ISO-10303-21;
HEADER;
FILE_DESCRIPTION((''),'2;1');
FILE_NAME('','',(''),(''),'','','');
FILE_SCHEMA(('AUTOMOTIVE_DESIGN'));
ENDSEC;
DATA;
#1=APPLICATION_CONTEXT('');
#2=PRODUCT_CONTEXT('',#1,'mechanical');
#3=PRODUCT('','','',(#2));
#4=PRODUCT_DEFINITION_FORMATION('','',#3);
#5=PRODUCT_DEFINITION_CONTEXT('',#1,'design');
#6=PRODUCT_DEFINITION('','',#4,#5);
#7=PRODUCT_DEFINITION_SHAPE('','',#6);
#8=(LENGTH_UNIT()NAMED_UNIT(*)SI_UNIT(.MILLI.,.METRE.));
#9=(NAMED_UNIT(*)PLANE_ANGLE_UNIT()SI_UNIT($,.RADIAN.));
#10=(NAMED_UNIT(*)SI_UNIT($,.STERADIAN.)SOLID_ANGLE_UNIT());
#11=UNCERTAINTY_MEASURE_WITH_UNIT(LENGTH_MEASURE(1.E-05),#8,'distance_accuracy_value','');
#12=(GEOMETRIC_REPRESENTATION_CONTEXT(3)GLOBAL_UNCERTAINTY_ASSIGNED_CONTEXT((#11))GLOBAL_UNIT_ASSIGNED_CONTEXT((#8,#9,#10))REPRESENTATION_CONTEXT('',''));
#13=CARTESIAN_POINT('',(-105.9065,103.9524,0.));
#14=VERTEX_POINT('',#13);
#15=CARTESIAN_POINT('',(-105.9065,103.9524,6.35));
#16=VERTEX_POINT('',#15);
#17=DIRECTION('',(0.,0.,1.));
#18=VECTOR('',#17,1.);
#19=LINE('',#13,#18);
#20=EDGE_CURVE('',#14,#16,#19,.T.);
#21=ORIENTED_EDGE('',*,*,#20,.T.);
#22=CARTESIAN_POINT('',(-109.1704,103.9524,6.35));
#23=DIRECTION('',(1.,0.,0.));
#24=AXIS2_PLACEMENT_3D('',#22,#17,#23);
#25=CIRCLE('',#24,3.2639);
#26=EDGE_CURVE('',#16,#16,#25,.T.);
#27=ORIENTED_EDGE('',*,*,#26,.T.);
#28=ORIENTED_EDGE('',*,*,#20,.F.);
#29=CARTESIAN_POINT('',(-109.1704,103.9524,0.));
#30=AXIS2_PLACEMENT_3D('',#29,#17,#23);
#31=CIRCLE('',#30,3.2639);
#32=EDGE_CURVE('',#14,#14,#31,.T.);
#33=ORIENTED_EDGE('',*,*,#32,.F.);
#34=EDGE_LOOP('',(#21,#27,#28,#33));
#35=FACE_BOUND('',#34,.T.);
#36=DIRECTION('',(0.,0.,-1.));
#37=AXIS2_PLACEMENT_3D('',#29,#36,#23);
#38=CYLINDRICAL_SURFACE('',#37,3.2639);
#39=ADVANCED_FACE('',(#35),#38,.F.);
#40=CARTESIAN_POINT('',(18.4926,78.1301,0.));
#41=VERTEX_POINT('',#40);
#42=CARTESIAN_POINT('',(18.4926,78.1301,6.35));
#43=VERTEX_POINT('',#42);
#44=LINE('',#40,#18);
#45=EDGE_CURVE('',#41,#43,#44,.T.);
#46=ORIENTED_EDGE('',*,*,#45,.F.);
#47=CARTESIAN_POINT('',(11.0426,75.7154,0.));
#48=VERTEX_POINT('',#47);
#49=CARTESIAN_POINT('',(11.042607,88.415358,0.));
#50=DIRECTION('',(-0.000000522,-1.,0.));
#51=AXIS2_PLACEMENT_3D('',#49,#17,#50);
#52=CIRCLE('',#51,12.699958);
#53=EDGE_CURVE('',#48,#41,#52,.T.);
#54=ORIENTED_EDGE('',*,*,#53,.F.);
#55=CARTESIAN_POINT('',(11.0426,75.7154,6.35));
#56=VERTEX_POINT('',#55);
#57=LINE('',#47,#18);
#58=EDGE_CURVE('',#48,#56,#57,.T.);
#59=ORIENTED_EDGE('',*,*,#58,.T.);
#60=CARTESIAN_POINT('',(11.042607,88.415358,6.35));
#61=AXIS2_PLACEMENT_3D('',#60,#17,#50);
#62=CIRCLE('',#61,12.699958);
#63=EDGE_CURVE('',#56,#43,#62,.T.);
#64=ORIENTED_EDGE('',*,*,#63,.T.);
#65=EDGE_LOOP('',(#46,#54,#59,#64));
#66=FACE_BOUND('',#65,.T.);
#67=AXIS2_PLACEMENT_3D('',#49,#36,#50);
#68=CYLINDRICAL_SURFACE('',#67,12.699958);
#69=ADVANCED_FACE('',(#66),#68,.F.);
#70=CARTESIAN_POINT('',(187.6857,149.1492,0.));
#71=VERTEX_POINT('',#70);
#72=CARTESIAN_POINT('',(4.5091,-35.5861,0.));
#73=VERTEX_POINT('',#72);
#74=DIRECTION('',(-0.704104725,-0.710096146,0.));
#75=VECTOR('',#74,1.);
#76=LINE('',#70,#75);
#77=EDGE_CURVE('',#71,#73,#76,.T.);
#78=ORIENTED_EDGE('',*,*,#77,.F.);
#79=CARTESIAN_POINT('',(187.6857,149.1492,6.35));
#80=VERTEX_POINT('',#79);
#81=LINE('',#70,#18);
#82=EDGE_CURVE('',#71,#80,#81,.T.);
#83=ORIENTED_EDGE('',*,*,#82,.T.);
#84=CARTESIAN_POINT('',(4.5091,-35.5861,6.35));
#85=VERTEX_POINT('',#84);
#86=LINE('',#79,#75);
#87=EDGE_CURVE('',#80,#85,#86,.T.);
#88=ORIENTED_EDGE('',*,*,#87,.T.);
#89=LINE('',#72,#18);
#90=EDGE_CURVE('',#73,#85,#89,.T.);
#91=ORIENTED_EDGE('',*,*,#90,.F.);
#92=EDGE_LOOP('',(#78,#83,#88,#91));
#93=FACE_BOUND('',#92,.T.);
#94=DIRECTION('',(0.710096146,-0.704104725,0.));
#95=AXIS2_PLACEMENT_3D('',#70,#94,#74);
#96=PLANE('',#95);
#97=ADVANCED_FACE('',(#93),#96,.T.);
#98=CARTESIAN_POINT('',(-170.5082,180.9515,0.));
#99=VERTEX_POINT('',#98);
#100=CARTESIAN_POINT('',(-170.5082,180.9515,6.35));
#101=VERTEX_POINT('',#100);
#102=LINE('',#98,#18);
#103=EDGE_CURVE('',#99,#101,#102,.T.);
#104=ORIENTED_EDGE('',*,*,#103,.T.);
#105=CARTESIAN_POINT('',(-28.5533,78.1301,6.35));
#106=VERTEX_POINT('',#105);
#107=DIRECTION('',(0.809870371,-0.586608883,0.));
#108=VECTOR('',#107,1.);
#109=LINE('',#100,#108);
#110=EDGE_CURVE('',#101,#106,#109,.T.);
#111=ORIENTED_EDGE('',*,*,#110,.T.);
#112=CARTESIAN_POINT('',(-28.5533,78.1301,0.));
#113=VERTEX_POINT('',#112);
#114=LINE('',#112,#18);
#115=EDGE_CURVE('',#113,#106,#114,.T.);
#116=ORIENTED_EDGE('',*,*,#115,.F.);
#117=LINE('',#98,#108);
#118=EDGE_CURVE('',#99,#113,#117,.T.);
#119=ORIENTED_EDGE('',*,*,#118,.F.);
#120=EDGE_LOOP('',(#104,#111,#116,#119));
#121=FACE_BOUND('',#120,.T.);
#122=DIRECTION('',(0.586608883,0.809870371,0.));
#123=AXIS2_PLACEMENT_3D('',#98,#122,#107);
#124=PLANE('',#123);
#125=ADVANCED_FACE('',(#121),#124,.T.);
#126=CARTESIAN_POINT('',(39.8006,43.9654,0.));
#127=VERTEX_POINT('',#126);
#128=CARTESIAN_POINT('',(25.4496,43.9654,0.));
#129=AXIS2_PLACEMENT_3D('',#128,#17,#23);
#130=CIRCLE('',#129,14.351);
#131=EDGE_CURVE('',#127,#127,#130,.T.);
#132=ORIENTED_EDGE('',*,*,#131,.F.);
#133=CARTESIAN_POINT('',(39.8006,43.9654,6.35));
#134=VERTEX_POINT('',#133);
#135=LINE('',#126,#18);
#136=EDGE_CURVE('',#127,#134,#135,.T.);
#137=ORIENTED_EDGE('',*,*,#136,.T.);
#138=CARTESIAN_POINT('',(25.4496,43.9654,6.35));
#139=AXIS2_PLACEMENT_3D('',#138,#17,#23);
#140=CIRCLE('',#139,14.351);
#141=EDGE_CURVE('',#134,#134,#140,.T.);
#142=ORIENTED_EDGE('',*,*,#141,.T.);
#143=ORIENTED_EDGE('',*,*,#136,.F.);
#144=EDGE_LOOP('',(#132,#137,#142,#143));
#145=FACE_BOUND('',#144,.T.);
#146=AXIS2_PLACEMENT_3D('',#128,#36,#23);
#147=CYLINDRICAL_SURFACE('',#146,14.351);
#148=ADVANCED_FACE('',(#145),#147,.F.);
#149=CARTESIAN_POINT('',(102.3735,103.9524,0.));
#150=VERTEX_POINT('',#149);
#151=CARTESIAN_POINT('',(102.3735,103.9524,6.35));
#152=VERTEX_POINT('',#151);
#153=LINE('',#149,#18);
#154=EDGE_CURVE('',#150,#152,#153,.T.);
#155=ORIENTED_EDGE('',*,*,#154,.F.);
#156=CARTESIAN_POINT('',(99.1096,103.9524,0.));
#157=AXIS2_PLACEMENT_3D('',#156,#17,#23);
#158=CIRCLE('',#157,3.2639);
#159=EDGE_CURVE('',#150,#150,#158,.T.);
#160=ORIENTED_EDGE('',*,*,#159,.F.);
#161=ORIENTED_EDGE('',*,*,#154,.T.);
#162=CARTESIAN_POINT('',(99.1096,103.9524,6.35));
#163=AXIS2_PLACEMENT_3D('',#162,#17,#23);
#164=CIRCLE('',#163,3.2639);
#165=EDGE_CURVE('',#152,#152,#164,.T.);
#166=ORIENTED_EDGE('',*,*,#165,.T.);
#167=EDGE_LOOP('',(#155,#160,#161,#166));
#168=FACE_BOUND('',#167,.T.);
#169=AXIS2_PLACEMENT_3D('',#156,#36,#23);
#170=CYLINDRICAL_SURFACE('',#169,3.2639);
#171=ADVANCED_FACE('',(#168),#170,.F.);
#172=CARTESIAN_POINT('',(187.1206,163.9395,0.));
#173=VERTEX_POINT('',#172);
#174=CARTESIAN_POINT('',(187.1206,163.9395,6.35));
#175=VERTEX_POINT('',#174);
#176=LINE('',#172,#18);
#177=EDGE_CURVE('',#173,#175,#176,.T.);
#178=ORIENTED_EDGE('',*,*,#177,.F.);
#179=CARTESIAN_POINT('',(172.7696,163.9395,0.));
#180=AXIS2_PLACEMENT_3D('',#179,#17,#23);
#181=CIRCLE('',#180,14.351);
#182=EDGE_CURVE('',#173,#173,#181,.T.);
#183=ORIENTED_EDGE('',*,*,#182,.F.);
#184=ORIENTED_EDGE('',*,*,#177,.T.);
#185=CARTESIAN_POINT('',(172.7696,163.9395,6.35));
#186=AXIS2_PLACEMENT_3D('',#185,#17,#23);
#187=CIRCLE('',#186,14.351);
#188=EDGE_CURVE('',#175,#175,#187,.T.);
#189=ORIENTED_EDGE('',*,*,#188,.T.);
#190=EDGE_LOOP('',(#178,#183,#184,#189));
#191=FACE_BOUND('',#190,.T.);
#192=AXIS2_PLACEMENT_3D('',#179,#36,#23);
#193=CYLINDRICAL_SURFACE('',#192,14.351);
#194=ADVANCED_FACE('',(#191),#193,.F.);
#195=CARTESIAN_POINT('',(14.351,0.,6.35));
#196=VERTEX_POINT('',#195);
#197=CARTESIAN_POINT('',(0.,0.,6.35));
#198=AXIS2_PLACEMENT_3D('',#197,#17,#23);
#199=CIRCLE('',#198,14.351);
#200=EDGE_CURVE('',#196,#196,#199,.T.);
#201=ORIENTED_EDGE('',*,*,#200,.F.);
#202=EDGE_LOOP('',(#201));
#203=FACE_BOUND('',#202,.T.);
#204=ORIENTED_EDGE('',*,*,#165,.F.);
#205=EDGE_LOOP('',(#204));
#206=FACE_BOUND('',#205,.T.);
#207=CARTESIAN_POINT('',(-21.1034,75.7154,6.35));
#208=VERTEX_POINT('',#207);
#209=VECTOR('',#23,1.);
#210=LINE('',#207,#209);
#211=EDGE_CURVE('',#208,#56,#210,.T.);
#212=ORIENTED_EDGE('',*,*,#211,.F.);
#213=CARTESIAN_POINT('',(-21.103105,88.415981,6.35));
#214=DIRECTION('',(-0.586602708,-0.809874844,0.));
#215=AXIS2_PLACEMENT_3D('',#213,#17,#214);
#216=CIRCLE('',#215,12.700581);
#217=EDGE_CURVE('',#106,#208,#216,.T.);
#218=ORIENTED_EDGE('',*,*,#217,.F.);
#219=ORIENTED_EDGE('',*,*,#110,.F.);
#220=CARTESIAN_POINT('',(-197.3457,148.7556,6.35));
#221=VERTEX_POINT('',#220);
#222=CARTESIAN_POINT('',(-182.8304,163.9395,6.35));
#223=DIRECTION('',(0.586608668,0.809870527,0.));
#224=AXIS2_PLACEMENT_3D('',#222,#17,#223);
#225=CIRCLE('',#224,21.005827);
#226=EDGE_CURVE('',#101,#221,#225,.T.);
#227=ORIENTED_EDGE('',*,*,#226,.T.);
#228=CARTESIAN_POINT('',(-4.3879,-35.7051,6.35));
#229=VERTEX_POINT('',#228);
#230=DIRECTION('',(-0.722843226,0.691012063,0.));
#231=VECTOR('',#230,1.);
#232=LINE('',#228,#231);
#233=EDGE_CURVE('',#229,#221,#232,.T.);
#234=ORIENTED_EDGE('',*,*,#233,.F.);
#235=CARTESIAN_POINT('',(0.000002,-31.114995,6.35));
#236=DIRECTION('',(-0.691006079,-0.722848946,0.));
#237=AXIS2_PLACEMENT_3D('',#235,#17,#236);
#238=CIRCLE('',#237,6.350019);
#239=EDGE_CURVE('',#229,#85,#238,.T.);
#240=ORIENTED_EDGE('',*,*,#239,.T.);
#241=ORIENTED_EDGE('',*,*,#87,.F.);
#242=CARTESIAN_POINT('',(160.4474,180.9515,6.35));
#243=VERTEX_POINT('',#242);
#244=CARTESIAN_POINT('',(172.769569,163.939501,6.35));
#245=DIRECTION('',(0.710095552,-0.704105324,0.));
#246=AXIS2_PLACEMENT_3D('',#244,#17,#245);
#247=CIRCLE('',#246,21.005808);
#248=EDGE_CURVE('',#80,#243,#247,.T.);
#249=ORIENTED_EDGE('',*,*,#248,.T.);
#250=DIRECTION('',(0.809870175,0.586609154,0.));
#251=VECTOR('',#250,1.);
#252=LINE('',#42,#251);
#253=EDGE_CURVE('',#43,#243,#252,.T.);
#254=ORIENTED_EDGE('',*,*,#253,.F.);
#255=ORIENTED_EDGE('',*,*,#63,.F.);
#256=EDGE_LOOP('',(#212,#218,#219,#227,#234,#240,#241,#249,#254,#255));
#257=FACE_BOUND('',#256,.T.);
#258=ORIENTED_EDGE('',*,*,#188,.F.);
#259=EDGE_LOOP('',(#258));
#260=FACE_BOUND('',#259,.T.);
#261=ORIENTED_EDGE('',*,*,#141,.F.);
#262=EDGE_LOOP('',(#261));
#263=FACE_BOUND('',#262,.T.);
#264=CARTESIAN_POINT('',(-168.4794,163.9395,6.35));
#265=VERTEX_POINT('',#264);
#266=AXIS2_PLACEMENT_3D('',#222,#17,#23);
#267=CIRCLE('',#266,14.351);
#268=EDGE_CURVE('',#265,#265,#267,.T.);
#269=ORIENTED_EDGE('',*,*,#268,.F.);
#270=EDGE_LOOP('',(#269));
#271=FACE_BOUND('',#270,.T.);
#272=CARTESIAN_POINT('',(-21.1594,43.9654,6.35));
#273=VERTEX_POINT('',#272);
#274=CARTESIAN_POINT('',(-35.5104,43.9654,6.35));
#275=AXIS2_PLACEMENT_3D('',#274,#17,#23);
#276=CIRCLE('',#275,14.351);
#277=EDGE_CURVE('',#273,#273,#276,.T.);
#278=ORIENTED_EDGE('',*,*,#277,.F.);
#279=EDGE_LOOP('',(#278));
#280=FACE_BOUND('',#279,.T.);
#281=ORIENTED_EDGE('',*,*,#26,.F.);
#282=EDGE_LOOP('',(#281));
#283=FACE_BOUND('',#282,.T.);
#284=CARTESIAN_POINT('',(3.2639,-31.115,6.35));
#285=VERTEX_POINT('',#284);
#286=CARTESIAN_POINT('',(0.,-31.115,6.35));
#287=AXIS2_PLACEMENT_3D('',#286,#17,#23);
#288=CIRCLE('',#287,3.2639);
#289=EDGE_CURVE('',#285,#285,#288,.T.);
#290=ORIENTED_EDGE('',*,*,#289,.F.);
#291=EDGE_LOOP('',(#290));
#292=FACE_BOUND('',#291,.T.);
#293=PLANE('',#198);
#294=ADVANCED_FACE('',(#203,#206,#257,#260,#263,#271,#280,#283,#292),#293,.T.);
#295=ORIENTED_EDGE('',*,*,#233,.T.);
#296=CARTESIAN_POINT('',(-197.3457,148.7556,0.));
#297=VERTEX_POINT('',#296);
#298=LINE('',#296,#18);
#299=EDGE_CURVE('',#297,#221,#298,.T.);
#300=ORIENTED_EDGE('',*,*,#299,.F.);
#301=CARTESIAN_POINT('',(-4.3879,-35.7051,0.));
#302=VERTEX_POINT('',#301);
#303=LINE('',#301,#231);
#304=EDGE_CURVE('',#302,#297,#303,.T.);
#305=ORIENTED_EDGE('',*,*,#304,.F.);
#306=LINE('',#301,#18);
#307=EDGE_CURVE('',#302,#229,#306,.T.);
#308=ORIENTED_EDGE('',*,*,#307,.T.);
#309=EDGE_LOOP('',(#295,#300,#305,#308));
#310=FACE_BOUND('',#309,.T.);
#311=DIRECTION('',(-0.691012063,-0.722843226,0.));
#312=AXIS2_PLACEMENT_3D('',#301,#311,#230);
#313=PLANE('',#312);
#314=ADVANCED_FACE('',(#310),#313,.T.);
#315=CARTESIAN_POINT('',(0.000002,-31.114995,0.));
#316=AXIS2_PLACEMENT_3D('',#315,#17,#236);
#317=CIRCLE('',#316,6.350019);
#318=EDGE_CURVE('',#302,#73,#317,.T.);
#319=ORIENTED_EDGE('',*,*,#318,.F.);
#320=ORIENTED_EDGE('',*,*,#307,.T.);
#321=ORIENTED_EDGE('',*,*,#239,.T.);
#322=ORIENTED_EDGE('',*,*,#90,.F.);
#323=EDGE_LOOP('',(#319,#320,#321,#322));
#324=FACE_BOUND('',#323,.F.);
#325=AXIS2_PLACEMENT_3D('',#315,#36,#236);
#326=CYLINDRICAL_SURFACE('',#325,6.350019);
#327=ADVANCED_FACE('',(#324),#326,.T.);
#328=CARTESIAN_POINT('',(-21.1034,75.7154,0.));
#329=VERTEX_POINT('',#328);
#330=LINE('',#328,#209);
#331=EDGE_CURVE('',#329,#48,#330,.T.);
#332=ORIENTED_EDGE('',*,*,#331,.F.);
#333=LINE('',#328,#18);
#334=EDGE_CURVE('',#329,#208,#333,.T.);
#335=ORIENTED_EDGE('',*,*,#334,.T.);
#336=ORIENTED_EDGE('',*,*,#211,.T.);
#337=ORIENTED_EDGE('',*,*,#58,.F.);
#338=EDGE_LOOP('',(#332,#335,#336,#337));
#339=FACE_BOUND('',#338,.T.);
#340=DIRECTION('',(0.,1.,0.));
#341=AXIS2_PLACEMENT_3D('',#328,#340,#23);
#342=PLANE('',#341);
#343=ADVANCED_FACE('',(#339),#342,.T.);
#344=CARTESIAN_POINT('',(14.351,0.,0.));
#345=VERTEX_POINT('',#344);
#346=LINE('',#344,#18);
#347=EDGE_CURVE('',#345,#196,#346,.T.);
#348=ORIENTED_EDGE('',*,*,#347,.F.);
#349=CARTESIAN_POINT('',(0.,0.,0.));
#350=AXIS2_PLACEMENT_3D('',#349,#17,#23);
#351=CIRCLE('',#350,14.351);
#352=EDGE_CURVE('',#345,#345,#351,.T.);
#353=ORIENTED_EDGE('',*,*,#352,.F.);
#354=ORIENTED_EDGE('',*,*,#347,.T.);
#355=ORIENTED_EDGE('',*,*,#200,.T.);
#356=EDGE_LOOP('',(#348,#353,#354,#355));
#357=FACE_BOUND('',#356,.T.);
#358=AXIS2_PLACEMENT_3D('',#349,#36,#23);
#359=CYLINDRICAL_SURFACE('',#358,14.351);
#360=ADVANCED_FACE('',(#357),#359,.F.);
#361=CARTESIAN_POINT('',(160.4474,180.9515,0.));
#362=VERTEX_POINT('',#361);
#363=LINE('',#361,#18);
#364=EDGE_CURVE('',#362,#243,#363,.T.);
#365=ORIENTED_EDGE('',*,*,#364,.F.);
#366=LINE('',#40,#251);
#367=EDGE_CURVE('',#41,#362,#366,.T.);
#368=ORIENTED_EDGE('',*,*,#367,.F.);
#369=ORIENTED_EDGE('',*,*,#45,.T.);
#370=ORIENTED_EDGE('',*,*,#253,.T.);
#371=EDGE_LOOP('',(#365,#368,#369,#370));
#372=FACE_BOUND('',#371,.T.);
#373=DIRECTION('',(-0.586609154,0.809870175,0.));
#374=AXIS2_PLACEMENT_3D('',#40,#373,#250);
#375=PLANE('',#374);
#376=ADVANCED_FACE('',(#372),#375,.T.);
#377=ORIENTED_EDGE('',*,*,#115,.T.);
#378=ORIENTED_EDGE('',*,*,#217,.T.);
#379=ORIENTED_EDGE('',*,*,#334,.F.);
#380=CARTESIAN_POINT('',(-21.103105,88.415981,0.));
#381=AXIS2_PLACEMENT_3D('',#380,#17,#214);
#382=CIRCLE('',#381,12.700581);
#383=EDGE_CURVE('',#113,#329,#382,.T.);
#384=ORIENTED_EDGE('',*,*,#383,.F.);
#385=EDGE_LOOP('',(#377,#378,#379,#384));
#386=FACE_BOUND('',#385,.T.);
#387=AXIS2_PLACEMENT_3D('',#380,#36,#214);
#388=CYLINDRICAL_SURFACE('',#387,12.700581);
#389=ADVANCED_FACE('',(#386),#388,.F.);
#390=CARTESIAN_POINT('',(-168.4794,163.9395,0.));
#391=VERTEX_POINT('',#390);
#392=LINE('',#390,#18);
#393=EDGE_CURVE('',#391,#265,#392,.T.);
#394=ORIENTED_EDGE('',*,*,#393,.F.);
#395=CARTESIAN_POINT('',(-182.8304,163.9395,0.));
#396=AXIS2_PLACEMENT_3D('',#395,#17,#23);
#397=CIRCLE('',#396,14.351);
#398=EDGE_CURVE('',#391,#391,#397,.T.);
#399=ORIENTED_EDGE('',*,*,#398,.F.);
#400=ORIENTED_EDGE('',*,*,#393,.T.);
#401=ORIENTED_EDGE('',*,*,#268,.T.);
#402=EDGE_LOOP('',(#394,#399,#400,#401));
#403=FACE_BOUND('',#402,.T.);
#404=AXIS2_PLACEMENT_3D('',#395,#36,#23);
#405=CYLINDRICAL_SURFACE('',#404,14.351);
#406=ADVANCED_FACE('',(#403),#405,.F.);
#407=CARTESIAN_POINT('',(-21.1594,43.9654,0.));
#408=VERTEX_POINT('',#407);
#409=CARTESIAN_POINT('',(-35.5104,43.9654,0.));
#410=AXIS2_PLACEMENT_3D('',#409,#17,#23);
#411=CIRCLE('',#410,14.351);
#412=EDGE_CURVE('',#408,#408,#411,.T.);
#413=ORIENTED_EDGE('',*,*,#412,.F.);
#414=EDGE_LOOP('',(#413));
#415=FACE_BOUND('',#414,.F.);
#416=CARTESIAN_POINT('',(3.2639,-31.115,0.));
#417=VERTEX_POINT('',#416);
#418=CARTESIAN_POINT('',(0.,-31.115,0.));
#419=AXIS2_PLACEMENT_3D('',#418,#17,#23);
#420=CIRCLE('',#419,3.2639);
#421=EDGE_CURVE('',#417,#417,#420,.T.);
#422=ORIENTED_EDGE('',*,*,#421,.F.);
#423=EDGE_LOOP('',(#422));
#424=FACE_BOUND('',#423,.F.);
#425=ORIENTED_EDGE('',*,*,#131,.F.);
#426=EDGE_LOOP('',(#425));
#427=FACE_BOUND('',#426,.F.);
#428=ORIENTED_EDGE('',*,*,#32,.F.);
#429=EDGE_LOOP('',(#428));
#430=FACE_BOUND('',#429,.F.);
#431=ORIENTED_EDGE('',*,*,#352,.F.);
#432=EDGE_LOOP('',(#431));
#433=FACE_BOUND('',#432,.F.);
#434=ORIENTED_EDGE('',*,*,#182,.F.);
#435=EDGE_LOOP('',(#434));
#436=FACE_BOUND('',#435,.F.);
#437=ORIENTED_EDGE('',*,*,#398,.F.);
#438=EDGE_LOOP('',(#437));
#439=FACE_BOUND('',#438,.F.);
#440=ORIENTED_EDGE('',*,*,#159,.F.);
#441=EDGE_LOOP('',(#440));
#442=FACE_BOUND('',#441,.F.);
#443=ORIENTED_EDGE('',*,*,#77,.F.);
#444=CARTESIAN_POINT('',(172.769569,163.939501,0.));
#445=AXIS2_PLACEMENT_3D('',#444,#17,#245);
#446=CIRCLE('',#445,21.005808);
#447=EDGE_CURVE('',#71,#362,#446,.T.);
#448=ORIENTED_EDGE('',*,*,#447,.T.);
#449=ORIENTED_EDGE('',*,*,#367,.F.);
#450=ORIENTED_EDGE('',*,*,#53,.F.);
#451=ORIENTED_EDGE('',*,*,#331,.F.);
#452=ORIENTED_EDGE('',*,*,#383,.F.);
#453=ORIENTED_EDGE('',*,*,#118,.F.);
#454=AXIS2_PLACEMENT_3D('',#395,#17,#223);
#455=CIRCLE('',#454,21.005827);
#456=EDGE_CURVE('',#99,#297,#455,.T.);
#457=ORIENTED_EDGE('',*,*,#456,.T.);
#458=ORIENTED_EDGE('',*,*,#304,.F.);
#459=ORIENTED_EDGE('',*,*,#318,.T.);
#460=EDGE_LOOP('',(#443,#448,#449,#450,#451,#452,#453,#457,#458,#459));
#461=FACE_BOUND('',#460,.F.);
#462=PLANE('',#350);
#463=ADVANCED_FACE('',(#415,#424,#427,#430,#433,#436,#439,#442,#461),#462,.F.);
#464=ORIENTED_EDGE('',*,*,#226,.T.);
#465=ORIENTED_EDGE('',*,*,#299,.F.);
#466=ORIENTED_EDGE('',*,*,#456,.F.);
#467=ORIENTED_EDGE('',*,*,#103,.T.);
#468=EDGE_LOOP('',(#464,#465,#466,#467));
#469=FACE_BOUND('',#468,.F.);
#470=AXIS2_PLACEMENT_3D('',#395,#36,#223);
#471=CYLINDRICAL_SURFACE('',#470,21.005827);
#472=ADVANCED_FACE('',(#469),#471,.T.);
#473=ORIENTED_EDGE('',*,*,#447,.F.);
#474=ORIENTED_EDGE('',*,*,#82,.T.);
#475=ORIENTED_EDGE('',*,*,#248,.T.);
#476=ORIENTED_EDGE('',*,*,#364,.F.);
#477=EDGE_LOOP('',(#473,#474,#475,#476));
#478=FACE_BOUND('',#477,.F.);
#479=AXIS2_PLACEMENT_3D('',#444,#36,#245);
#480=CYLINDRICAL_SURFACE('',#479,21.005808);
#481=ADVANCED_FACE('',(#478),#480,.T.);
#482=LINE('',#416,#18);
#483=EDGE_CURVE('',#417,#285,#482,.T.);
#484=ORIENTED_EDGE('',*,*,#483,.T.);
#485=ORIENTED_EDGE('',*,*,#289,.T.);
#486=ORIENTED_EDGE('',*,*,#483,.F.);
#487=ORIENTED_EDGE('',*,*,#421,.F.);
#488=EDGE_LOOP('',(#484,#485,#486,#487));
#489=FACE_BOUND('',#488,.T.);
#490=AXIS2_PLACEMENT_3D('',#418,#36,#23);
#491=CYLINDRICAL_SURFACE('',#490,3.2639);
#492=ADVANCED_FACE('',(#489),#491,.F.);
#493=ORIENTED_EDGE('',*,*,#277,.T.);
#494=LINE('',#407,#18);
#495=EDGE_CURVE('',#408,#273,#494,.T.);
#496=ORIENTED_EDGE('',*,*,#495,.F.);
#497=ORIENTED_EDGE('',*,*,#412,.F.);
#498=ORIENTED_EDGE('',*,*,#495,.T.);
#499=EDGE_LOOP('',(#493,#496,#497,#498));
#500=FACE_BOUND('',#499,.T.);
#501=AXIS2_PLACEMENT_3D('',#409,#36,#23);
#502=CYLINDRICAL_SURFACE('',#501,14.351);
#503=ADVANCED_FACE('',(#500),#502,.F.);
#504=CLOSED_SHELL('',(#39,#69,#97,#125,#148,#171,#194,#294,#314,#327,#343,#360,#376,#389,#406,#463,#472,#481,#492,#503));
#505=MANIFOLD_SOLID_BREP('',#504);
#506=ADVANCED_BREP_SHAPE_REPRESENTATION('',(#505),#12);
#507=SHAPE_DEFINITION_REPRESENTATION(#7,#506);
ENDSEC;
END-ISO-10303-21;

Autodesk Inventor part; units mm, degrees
ref_plane "YZ Plane" through (0, 0, 0) normal (1, 0, 0) x (0, 1, 0)
ref_plane "XZ Plane" through (0, 0, 0) normal (0, 1, 0) x (-1, 0, 0)
ref_plane "XY Plane" through (0, 0, 0) normal (0, 0, 1) x (1, 0, 0)
sketch "Sketch1" plane through (0, 0, 0) normal (0, 0, 1) x (1, 0, 0)
  circle A0 centre (0, 0) radius 20.32 construction
  circle A1 centre (25.4496, 43.9654) radius 30.48 construction
  circle A2 centre (-35.5104, 43.9654) radius 30.48 construction
  circle A3 centre (-35.5104, 43.9654) radius 31.75 construction
  circle A4 centre (0, 0) radius 21.59 construction
  line L0 (-15.5607, 19.2657) -> (-13.5658, 16.7958) construction
  circle A5 centre (25.4496, 43.9654) radius 31.75 construction
  circle A6 centre (-35.5104, 43.9654) radius 14.351
  circle A7 centre (0, 0) radius 14.351
  circle A8 centre (25.4496, 43.9654) radius 14.351
  line L1 (25.4496, 43.9654) -> (172.7696, 163.9395) construction
  line L2 (-35.5104, 43.9654) -> (-182.8304, 163.9395) construction
  circle A9 centre (172.7696, 163.9395) radius 50.8 construction
  circle A10 centre (-182.8304, 163.9395) radius 50.8 construction
  line L3 (-132.0304, 163.9395) -> (121.9696, 163.9395) construction
  circle A11 centre (-182.8304, 163.9395) radius 14.351
  circle A12 centre (172.7696, 163.9395) radius 14.351
  circle A13 centre (0, -31.115) radius 6.35 construction
  line L4 (0, -21.59) -> (0, -24.765) construction
  circle A14 centre (-109.1704, 103.9524) radius 6.35 construction
  circle A15 centre (99.1096, 103.9524) radius 6.35 construction
  circle A16 centre (-109.1704, 103.9524) radius 3.2639
  circle A17 centre (99.1096, 103.9524) radius 3.2639
  circle A18 centre (0, -31.115) radius 3.2639
  line L5 (-21.1034, 75.7154) -> (11.0426, 75.7154)
  circle A19 centre (172.7696, 163.9395) radius 21.0058 construction
  circle A20 centre (-182.8304, 163.9395) radius 21.0058 construction
  line L6 (-170.5082, 180.9515) -> (-28.5533, 78.1301)
  line L7 (18.4926, 78.1301) -> (160.4474, 180.9515)
  line L8 (187.6857, 149.1492) -> (4.5091, -35.5861)
  line L9 (-4.3879, -35.7051) -> (-197.3457, 148.7556)
  arc A21 (-4.3879, -35.7051) -> (4.5091, -35.5861) centre (0, -31.115) ccw
  arc A22 (-170.5082, 180.9515) -> (-197.3457, 148.7556) centre (-182.8304, 163.9395) ccw
  arc A23 (187.6857, 149.1492) -> (160.4474, 180.9515) centre (172.7696, 163.9395) ccw
  arc A24 (11.0426, 75.7154) -> (18.4926, 78.1301) centre (11.0426, 88.4154) ccw
  arc A25 (-28.5533, 78.1301) -> (-21.1034, 75.7154) centre (-21.1034, 88.4154) ccw
  point P0 (-17.1517, 69.8695)
  point P1 (15.1589, 75.7154)
  point P2 (15.3395, 75.7154)
  point P3 (184.7885, 149.1595)
  point P4 (-25.2197, 75.7154)
  dimension "d7" = 101.6
  dimension "d0" = 40.64
  dimension "d1" = 60.96
  dimension "d2" = 63.5
  dimension "d3" = 43.18
  dimension "d4" = 3.175
  dimension "d5" = 28.702
  dimension "d6" = 189.992
  dimension "d8" = 254
  dimension "d9" = 28.702
  dimension "d10" = 12.7
  dimension "d11" = 3.175
  dimension "d12" = 12.7
  dimension "d13" = 12.7
  dimension "d14" = 6.5278
  dimension "d15" = 6.5278
  dimension "d16" = 42.0116
  dimension "d21" = 12.7
  dimension "d22" = 12.7
extrude "Extrusion2" add sketch "Sketch1" along normal blind 6.35
properties part number "MainBody" material "Aluminum 6061"
